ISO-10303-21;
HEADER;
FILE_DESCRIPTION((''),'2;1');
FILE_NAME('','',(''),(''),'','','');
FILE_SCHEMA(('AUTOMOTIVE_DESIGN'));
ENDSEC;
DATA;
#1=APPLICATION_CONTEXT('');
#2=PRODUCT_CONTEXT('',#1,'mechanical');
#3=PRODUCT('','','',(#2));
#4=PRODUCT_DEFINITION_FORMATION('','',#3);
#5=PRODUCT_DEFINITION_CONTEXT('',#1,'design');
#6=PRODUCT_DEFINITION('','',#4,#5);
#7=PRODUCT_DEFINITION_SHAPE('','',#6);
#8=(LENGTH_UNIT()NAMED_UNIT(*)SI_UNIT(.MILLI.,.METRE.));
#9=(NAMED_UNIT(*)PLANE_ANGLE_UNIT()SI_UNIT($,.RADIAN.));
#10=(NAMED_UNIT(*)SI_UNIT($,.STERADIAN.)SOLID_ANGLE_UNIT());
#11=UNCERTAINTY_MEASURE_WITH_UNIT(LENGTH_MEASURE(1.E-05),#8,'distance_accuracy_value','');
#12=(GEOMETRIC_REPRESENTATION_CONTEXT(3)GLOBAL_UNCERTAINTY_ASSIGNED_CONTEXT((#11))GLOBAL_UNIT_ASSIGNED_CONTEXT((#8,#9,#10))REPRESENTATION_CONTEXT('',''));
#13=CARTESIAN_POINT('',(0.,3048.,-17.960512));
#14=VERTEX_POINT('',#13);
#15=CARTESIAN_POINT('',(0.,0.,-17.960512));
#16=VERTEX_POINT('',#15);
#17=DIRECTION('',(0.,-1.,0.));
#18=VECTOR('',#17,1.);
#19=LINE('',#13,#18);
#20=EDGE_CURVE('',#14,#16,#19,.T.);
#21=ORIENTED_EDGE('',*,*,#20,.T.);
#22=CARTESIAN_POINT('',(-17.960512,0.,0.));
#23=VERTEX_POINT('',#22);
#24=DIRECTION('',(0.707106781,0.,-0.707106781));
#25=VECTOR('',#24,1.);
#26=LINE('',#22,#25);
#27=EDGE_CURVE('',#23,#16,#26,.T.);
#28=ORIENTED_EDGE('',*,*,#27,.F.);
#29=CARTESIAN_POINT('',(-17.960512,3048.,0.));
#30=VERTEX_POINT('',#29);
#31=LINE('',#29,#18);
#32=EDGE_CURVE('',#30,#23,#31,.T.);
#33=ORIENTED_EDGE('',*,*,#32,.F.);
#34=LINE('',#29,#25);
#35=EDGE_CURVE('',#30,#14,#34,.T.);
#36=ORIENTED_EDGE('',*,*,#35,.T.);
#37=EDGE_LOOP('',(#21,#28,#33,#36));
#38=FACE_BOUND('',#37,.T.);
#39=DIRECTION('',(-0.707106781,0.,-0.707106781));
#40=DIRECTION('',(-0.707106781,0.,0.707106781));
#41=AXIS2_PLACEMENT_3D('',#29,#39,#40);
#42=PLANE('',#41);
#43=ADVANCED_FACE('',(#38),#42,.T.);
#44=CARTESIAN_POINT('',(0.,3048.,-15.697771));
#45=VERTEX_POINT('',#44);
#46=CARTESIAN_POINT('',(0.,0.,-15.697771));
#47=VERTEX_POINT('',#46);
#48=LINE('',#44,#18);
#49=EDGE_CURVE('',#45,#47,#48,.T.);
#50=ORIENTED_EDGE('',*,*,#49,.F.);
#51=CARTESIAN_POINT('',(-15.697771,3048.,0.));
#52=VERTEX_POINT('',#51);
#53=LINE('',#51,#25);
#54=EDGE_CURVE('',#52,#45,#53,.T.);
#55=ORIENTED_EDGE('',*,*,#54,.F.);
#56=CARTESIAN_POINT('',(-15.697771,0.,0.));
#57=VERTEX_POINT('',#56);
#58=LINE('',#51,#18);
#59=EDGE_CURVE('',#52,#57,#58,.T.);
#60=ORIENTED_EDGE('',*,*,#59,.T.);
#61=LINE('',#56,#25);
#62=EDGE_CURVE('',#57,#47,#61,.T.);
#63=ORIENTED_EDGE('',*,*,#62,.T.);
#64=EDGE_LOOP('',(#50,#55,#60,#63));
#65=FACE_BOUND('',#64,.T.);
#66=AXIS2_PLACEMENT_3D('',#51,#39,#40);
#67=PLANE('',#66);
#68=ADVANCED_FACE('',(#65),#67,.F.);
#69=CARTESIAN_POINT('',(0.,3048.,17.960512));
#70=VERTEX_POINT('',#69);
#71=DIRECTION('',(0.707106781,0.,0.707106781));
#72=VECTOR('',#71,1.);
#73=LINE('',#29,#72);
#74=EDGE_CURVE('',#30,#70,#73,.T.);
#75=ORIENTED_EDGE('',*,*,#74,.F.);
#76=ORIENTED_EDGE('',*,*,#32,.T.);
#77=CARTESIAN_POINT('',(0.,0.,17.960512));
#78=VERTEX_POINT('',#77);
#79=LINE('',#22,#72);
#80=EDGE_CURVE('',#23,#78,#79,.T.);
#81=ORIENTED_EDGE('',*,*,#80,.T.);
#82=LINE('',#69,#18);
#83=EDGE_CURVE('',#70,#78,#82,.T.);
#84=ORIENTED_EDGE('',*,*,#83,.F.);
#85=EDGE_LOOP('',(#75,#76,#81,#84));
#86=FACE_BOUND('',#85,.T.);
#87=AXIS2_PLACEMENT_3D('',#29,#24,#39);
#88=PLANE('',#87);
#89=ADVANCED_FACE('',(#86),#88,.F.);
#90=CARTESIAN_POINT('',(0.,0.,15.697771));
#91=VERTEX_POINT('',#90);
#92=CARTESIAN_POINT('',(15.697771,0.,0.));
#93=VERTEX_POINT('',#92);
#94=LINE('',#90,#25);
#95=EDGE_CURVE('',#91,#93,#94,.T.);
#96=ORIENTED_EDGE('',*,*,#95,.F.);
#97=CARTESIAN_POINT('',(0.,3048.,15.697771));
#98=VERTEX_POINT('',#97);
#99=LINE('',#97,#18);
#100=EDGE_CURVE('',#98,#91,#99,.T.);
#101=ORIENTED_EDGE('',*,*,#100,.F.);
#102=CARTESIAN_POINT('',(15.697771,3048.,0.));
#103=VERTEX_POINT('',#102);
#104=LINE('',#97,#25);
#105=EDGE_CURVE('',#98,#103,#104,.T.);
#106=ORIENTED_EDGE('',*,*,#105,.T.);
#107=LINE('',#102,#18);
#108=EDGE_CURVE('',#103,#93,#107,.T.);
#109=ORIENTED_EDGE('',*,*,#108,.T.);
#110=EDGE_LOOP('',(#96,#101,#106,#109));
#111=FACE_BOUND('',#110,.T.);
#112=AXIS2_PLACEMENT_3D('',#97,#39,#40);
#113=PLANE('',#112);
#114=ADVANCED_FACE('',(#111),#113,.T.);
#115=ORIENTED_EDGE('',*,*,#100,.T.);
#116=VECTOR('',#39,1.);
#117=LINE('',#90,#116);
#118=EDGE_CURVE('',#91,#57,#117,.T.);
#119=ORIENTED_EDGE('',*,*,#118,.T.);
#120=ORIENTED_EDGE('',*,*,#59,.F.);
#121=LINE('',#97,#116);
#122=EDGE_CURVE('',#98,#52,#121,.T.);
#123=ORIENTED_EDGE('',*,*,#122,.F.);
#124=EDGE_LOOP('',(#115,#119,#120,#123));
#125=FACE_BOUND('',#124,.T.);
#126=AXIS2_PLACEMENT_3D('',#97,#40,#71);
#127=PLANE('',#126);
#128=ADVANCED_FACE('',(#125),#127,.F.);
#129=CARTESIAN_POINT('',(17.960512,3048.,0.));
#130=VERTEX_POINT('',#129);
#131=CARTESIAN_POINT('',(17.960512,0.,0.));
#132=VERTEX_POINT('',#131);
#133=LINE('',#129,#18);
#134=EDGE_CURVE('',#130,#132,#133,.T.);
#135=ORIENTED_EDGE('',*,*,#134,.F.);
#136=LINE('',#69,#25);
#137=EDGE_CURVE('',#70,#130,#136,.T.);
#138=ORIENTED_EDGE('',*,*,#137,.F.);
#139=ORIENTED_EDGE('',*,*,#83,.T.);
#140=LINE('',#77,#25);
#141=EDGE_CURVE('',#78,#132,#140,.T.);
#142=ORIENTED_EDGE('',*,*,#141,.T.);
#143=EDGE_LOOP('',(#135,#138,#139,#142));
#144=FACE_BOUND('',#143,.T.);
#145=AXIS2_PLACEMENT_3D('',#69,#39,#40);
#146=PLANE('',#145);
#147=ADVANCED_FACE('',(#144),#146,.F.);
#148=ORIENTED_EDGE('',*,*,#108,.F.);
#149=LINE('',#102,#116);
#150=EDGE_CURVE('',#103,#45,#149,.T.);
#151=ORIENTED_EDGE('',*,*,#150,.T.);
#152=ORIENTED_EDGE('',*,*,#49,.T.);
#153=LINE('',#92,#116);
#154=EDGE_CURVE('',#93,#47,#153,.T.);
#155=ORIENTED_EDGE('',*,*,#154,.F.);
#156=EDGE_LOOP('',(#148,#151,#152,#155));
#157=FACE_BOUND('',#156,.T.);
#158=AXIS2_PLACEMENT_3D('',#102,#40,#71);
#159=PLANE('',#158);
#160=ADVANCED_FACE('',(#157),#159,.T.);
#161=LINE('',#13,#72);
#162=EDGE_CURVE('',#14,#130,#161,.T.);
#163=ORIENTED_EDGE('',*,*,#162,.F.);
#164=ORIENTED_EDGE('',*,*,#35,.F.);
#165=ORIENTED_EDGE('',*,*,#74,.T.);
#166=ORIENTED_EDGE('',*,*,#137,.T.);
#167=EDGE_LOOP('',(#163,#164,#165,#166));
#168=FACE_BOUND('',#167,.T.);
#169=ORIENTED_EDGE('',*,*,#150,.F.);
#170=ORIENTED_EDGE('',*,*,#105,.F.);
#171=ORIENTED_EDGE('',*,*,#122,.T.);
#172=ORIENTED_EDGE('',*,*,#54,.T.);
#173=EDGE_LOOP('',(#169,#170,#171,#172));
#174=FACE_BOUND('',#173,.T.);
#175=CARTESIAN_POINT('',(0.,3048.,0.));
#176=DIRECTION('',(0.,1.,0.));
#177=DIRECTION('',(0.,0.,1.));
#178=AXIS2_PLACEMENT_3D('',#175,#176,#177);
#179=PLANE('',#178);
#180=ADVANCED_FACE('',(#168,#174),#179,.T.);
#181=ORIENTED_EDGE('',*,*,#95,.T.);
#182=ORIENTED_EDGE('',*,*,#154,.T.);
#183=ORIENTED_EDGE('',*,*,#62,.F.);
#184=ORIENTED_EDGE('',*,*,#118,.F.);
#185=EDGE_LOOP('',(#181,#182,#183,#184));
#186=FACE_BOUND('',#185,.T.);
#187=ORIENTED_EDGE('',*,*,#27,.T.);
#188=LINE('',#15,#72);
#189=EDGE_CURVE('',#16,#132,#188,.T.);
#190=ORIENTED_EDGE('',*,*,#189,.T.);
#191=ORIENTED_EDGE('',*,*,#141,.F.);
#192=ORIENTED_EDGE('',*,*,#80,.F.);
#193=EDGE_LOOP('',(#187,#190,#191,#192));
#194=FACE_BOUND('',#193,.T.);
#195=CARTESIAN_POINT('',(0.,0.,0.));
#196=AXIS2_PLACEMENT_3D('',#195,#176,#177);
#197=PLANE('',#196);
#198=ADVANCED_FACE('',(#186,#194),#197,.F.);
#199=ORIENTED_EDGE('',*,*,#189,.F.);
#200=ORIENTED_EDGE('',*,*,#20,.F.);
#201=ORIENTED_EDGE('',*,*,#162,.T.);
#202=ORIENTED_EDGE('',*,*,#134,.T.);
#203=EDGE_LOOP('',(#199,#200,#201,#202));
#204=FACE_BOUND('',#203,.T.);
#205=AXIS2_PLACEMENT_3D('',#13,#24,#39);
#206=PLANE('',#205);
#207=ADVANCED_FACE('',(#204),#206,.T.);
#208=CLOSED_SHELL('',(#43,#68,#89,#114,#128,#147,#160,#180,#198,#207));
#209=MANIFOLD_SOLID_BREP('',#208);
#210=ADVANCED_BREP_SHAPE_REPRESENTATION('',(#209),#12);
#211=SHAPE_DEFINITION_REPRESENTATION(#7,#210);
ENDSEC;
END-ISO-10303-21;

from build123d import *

# Parameters (mm, degrees)
BOSS_EXTRUDE1_DEPTH = 3048


with BuildPart() as part:
    # Sketch1 → Boss-Extrude1 (new body)
    with BuildSketch(Plane(origin=(0, 0, 0), x_dir=(1, 0, 0), z_dir=(0, 1, 0))):
        Polygon((-17.960512242, 0), (0, 17.960512242), (17.960512242, 0), (0, -17.960512242), align=None)
        Polygon((0, -15.697770542), (15.697770542, 0), (0, 15.697770542), (-15.697770542, 0), align=None, mode=Mode.SUBTRACT)
    extrude(amount=BOSS_EXTRUDE1_DEPTH)


solid = part.part
